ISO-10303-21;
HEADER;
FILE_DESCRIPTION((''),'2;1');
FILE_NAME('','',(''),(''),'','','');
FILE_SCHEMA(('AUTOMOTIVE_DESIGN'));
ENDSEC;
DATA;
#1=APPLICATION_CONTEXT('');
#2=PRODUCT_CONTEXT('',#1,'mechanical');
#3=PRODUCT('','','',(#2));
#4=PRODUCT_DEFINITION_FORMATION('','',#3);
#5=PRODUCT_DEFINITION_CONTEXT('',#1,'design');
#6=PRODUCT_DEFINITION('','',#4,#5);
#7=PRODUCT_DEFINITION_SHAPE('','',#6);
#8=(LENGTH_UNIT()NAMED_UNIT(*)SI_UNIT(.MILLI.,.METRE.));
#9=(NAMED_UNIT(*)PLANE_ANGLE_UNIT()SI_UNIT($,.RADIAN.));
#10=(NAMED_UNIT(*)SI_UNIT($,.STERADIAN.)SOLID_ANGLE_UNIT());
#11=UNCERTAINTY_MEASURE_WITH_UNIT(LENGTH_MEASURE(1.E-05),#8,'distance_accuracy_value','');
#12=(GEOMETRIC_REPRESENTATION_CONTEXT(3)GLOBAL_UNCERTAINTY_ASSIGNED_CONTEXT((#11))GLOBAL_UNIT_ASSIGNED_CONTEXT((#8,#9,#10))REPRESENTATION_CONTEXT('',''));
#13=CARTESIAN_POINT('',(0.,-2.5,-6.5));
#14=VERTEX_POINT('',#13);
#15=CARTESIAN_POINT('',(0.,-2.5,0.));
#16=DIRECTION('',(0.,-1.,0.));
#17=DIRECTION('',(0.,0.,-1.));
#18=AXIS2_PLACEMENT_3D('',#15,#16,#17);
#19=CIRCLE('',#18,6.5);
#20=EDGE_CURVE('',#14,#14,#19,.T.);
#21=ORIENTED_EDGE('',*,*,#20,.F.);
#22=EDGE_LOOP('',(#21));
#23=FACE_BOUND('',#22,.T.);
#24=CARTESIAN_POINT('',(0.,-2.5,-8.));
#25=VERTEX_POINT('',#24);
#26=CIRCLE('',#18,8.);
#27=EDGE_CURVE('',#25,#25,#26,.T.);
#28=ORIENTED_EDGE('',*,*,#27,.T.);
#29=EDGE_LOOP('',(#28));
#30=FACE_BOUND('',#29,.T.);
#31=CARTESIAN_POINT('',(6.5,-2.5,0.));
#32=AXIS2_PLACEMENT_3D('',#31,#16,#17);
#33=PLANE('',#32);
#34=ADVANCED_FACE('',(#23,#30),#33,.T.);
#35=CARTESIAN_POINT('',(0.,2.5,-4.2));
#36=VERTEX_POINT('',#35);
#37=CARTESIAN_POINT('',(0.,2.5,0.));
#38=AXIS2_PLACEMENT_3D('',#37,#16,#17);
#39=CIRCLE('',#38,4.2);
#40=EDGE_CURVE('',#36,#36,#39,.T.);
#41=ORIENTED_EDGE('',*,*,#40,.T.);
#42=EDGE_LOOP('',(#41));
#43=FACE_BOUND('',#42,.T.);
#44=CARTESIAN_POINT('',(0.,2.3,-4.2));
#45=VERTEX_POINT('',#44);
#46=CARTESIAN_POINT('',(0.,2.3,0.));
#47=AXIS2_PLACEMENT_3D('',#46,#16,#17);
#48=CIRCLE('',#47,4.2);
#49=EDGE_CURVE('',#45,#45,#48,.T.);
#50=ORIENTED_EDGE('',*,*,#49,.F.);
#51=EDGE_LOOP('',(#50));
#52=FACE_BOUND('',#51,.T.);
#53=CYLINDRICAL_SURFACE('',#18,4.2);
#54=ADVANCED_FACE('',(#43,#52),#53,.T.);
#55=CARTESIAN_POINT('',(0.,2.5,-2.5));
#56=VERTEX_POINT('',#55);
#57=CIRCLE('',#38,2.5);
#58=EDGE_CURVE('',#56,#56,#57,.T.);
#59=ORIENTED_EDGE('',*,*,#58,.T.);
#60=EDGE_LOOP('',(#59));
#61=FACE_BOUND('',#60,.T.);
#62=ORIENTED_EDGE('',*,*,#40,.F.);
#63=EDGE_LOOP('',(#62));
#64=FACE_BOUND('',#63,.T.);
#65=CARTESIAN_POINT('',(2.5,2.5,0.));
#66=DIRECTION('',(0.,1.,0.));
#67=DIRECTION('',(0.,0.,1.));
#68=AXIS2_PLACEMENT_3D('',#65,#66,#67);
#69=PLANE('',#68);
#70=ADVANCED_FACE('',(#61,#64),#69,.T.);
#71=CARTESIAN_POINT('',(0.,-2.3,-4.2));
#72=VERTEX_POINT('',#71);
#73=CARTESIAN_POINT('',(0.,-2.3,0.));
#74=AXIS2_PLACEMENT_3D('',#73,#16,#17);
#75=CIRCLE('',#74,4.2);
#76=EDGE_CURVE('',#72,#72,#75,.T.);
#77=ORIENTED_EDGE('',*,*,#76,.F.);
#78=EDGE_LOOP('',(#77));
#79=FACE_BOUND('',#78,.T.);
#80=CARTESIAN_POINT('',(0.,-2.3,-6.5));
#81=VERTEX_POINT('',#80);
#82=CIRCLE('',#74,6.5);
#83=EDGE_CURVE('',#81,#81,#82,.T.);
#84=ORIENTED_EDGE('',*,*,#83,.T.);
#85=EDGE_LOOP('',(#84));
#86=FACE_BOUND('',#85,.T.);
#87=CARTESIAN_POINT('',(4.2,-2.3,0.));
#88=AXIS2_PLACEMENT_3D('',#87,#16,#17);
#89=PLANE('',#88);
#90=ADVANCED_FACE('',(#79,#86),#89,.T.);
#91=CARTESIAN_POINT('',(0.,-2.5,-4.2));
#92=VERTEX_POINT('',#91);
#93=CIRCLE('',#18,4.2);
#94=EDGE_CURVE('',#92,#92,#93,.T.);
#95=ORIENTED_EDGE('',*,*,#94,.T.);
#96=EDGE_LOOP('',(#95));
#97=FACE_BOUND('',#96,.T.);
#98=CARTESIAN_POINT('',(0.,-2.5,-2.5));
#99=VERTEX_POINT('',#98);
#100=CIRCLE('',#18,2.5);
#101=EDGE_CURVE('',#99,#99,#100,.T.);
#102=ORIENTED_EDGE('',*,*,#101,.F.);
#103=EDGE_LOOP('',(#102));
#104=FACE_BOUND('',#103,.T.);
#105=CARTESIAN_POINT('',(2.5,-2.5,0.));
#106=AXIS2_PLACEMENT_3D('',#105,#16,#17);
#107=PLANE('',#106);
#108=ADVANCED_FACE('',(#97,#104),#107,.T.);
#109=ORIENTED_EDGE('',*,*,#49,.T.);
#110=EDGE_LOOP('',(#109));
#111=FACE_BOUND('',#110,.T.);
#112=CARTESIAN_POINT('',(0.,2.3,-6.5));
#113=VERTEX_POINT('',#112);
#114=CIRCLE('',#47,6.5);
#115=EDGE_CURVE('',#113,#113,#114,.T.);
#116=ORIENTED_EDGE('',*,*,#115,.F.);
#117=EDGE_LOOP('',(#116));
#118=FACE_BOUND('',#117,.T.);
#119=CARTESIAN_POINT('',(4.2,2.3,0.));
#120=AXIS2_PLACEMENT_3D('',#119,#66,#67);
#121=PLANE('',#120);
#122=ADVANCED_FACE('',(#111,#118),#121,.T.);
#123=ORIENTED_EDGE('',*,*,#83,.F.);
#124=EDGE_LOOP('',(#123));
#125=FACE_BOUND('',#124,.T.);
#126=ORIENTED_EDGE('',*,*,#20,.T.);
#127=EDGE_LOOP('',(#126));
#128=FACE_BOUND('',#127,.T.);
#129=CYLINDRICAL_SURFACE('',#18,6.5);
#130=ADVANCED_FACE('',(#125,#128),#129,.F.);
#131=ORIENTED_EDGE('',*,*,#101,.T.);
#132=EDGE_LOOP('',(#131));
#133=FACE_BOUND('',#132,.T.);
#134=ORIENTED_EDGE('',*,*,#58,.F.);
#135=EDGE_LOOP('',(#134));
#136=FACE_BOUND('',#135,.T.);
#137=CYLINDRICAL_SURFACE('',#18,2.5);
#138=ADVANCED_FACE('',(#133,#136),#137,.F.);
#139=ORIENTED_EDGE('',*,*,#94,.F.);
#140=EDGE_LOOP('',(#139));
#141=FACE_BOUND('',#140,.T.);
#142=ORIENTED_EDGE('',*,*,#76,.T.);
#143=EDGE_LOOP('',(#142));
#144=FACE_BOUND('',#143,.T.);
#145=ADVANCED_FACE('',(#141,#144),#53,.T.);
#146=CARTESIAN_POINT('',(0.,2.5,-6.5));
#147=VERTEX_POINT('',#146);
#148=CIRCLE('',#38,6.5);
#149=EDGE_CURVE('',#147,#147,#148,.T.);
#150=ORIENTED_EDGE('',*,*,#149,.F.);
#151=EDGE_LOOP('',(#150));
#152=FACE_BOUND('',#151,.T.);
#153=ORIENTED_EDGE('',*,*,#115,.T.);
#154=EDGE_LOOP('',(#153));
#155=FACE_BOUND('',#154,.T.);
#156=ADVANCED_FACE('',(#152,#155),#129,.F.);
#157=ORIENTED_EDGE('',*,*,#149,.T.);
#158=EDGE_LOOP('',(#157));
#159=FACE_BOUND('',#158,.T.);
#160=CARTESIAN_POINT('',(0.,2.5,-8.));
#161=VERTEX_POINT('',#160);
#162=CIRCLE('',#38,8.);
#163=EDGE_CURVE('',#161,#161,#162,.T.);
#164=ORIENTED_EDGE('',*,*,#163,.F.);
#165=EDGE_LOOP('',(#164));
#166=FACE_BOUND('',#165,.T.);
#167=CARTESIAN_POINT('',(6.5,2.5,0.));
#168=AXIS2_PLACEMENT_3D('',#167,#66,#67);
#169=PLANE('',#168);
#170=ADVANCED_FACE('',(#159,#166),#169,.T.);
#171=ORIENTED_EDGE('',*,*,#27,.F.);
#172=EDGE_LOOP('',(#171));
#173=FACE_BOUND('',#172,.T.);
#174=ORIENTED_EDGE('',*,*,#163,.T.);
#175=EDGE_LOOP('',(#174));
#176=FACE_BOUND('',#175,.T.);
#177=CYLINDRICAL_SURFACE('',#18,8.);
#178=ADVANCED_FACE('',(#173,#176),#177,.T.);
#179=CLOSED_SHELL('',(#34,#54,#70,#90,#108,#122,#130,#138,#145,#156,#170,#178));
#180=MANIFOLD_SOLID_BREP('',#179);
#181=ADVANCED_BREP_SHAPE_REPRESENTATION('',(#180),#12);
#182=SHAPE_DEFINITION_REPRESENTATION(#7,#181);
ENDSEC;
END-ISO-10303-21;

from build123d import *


with BuildPart() as part:
    # Croquis1 → Revolución1 (revolve)
    with BuildSketch(Plane.XY, mode=Mode.PRIVATE) as revoluci_n1_sk:
        Polygon((2.5, -2.5), (2.5, 2.5), (4.2, 2.5), (4.2, 2.3), (6.5, 2.3), (6.5, 2.5), (8, 2.5), (8, -2.5), (6.5, -2.5), (6.5, -2.3), (4.2, -2.3), (4.2, -2.5), align=None)
    revolve(revoluci_n1_sk.sketch.rotate(Axis((0, -2.5, 0), (0, 1, 0)), 90), axis=Axis((0, -2.5, 0), (0, 1, 0)))


solid = part.part
